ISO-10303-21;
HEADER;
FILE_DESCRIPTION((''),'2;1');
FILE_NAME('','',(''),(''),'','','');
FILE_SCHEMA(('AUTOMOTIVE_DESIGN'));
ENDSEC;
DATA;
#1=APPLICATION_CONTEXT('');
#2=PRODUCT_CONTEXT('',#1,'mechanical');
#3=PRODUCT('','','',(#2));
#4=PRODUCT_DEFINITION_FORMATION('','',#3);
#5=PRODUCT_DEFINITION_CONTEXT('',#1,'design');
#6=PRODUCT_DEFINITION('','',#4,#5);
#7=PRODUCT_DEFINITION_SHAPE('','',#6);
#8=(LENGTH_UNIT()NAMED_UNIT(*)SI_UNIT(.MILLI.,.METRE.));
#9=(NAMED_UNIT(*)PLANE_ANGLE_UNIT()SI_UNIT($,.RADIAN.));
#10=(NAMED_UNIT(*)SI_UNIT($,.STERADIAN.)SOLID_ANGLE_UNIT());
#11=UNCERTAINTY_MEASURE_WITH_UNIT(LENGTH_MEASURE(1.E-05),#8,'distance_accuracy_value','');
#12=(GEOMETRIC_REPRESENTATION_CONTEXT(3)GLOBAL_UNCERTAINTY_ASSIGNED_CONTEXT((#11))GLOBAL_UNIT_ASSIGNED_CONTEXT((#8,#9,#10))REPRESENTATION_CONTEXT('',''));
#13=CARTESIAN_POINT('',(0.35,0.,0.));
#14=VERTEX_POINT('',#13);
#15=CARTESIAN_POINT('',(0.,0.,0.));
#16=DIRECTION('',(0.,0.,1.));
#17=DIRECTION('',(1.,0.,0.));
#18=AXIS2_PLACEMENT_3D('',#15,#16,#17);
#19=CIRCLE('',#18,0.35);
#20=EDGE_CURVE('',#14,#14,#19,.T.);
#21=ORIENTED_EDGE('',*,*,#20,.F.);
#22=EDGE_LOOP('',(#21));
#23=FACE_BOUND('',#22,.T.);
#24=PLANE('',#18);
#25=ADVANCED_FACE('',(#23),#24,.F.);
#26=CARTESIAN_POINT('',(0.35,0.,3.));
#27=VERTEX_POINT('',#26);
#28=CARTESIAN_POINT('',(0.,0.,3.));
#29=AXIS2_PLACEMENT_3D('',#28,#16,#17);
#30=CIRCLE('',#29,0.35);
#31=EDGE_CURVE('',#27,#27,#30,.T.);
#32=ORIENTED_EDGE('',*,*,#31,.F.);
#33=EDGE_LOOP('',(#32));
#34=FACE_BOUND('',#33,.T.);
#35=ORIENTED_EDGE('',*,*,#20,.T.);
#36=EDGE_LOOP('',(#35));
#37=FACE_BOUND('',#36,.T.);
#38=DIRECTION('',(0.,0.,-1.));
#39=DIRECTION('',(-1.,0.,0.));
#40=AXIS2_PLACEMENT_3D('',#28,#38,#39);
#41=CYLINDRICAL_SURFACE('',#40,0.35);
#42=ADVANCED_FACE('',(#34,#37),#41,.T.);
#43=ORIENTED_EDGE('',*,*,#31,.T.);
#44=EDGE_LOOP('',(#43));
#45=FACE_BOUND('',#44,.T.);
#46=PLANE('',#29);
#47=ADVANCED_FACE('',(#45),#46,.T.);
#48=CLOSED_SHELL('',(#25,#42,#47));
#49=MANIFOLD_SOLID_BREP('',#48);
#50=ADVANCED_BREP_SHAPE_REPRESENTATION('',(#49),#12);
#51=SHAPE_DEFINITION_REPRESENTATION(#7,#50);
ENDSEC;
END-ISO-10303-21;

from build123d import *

# Parameters (mm, degrees)
SKETCH1_R           = 0.35
BOSS_EXTRUDE1_DEPTH = 3


with BuildPart() as part:
    # Sketch1 → Boss-Extrude1 (new body)
    with BuildSketch(Plane.XY):
        Circle(SKETCH1_R)
    extrude(amount=BOSS_EXTRUDE1_DEPTH)


solid = part.part
